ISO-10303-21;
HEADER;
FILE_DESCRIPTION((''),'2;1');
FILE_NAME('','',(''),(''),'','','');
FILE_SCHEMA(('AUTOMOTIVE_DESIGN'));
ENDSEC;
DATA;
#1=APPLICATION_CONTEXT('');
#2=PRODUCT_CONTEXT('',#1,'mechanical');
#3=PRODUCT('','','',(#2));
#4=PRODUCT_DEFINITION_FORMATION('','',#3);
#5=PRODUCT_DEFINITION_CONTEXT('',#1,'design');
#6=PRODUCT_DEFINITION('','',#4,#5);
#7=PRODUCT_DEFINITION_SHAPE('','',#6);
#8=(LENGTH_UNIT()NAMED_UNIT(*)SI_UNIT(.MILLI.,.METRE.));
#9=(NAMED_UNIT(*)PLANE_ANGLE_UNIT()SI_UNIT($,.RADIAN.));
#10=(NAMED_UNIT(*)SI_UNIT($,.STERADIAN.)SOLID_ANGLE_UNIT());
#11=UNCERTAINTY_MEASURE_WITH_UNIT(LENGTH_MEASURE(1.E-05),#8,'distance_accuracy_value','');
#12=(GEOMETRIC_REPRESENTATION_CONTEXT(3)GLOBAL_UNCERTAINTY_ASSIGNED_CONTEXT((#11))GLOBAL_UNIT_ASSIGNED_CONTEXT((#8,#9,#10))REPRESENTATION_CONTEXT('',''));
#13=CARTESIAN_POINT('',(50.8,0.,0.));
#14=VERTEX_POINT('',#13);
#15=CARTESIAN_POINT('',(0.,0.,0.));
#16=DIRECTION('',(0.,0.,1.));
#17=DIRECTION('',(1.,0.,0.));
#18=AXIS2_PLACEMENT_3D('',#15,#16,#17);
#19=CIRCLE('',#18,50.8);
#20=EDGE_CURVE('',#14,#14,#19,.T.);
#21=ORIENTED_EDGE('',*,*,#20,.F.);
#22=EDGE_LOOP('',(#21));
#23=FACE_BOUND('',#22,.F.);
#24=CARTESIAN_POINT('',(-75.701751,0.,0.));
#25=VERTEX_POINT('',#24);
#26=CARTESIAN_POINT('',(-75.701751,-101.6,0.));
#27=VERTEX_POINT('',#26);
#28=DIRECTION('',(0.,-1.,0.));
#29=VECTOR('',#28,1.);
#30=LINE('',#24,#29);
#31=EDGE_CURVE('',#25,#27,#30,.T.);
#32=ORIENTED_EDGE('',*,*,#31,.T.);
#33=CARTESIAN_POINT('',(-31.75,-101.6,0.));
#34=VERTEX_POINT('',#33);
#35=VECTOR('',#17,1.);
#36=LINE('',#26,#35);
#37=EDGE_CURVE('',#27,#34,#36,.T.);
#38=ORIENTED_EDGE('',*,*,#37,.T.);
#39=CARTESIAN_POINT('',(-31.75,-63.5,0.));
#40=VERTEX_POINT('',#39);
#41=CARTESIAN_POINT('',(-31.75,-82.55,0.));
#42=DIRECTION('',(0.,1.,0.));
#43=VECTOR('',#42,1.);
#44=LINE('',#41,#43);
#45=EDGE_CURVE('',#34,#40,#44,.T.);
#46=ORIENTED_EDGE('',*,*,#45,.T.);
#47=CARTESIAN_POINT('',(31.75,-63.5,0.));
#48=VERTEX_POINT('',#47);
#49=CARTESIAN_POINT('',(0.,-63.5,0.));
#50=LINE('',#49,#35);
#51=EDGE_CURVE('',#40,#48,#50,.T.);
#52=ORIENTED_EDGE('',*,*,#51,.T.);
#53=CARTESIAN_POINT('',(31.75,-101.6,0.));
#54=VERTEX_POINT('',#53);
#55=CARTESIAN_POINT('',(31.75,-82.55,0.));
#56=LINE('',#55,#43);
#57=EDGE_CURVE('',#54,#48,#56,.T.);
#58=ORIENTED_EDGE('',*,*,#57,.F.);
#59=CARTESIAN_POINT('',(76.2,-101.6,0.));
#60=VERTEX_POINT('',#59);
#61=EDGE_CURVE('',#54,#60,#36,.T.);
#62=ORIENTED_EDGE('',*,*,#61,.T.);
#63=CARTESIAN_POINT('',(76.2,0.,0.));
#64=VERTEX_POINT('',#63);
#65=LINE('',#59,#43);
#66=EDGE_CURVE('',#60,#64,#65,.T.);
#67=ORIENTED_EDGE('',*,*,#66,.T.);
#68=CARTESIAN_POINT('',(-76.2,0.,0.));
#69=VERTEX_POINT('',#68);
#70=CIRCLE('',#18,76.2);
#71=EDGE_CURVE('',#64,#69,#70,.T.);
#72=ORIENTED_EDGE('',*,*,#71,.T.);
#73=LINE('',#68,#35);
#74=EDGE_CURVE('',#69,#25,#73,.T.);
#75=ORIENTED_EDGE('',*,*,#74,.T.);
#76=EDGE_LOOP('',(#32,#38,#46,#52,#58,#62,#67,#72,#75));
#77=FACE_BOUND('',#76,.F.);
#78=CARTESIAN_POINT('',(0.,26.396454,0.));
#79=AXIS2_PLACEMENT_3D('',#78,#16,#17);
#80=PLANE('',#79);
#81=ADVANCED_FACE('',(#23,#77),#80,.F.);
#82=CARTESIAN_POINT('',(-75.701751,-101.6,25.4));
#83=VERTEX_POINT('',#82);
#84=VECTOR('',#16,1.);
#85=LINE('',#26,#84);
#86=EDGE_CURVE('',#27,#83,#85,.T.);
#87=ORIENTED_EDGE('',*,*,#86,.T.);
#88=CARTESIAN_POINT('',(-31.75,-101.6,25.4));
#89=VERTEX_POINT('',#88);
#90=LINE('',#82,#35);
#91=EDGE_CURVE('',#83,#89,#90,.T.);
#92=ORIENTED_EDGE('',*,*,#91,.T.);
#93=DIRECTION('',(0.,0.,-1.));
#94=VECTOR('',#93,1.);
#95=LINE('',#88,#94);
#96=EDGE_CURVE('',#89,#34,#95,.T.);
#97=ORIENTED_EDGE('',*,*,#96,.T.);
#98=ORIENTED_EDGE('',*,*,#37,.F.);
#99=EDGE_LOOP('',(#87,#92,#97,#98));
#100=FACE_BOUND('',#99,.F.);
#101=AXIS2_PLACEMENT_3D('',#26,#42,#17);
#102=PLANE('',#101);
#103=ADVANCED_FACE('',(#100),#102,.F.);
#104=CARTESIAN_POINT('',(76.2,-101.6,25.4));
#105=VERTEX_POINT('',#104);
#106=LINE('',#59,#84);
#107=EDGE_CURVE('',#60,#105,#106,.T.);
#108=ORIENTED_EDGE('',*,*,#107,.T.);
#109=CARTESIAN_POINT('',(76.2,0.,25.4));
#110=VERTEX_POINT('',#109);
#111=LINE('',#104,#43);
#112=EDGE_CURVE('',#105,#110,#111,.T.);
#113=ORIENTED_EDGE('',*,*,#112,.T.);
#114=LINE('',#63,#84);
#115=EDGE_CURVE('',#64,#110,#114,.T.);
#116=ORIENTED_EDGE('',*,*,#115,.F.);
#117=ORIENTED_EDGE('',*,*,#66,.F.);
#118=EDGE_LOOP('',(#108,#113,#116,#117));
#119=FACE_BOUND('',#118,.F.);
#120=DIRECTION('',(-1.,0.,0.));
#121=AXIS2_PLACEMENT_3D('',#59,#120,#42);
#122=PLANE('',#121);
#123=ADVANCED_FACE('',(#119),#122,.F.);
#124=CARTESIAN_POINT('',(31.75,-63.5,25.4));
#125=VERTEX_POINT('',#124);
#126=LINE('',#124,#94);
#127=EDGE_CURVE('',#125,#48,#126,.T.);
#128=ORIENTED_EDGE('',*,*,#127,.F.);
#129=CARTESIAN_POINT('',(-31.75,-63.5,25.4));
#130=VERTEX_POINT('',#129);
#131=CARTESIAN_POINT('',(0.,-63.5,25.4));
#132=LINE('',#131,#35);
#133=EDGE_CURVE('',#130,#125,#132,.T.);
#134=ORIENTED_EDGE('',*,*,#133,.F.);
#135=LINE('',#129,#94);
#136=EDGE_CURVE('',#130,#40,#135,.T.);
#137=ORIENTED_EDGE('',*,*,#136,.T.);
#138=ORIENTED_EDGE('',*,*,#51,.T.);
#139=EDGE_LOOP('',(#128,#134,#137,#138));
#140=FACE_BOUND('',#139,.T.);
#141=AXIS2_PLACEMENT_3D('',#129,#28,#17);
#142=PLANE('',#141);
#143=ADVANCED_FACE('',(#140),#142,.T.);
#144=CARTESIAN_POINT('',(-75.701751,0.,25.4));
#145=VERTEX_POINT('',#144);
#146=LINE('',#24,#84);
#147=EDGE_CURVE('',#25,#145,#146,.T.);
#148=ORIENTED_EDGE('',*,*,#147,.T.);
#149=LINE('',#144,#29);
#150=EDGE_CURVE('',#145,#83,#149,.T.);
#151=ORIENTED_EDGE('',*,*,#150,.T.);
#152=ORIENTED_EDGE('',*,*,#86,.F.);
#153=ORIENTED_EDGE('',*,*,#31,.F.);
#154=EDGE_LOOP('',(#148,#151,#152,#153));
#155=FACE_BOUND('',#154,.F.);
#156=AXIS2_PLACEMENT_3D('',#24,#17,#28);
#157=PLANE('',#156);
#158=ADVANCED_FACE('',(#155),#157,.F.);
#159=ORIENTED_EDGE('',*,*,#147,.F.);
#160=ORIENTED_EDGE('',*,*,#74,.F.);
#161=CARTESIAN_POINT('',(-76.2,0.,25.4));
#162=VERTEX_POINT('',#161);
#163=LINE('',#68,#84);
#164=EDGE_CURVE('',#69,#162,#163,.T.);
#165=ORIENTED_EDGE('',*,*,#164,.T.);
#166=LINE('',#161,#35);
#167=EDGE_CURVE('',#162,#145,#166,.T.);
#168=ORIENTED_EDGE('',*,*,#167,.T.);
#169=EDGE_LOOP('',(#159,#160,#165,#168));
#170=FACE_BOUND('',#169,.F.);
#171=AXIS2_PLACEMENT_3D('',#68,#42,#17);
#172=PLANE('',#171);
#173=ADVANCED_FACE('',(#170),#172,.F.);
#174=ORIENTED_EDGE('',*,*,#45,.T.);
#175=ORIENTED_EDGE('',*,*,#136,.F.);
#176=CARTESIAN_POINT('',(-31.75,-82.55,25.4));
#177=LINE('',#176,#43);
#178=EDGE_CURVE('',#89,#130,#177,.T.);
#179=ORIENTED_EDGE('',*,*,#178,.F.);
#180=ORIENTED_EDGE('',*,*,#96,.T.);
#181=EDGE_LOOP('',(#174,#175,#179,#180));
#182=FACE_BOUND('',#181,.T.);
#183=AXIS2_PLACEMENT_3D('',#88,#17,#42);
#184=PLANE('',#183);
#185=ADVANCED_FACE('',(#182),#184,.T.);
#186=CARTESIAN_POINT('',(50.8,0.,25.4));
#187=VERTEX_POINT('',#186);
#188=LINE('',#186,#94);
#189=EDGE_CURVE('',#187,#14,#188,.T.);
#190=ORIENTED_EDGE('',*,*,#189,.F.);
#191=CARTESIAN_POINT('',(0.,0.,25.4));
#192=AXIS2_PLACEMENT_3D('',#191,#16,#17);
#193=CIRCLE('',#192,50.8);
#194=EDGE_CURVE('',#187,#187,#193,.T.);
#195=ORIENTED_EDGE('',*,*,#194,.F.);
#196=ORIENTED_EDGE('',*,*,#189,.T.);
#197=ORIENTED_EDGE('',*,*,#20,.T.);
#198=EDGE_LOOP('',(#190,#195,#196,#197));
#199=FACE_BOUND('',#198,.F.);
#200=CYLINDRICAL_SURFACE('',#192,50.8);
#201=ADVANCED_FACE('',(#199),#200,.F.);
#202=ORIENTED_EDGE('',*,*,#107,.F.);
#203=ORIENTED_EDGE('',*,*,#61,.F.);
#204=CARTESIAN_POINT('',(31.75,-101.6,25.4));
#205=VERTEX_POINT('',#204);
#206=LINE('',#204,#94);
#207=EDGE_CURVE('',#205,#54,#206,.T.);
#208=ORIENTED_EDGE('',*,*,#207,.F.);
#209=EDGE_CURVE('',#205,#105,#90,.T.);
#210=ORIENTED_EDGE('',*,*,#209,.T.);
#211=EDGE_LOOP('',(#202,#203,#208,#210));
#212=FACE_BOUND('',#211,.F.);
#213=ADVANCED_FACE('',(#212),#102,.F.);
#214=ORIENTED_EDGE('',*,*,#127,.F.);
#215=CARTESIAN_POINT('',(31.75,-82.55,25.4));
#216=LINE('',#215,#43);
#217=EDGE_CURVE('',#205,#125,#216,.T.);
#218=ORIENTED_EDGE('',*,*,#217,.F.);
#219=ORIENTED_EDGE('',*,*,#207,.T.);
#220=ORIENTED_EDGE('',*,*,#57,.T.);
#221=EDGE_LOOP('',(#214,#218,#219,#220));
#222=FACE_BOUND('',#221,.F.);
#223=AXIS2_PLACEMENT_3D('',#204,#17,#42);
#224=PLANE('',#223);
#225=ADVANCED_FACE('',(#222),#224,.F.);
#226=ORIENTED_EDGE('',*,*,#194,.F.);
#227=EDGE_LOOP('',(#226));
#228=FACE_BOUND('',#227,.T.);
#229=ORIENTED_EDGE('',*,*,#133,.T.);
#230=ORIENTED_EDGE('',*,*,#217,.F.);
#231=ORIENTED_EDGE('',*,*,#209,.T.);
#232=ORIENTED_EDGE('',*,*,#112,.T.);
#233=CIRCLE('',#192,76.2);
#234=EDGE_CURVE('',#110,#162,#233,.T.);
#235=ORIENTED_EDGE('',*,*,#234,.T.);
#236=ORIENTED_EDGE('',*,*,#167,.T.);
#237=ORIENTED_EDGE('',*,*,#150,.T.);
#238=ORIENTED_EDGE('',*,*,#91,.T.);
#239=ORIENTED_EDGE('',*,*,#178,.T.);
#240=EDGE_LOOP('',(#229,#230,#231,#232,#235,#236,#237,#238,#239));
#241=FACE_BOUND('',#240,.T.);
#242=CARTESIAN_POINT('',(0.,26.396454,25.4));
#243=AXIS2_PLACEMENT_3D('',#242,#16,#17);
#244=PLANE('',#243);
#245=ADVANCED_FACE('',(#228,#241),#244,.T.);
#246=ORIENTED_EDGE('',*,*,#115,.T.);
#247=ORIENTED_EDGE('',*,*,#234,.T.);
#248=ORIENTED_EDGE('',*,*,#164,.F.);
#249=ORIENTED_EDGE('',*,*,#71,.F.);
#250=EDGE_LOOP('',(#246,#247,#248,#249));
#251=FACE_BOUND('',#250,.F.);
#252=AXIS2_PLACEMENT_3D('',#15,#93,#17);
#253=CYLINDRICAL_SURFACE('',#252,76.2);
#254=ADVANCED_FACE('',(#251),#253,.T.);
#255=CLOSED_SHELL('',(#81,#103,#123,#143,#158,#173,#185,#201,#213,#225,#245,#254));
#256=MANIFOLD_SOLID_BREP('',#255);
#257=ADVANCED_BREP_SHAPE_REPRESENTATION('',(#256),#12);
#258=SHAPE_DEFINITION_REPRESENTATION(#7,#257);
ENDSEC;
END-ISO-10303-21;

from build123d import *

# Parameters (mm, degrees)
F1_DEPTH = 25.4
F2_R     = 50.8
F3_DEPTH = 25.4
F4_W     = 63.5
F4_H     = 38.1
F5_DEPTH = 25.4


with BuildPart() as f1:
    # F0 (on Top) → F1 (new body)
    with BuildSketch(Plane.XY):
        with BuildLine():
            Line((-75.701751, 0), (76.2, 0))
            ThreePointArc((76.2, 0), (0, 76.2), (-76.2, 0))
            Line((-76.2, 0), (-75.701751, 0))
        make_face()
        with BuildLine():
            ThreePointArc((-75.701751, -8.699708), (4.356982, -76.075336), (76.2, 0))
            Line((76.2, 0), (-75.701751, 0))
            Line((-75.701751, 0), (-75.701751, -8.699708))
        make_face()
        with BuildLine():
            Line((76.2, -101.6), (76.2, 0))
            ThreePointArc((76.2, 0), (4.356982, -76.075336), (-75.701751, -8.699708))
            Line((-75.701751, -8.699708), (-75.701751, -101.6))
            Line((-75.701751, -101.6), (76.2, -101.6))
        make_face()
    extrude(amount=F1_DEPTH)

    # F2 (on face) → F3 (cut)
    with BuildSketch(Plane.XY.offset(25.4)):
        Circle(F2_R)
    extrude(amount=-F3_DEPTH, mode=Mode.SUBTRACT)

    # F4 (on face) → F5 (cut)
    with BuildSketch(Plane.XY.offset(25.4)):
        with Locations((0, -82.55)):
            Rectangle(F4_W, F4_H)
    extrude(amount=-F5_DEPTH, mode=Mode.SUBTRACT)


solid = f1.part
